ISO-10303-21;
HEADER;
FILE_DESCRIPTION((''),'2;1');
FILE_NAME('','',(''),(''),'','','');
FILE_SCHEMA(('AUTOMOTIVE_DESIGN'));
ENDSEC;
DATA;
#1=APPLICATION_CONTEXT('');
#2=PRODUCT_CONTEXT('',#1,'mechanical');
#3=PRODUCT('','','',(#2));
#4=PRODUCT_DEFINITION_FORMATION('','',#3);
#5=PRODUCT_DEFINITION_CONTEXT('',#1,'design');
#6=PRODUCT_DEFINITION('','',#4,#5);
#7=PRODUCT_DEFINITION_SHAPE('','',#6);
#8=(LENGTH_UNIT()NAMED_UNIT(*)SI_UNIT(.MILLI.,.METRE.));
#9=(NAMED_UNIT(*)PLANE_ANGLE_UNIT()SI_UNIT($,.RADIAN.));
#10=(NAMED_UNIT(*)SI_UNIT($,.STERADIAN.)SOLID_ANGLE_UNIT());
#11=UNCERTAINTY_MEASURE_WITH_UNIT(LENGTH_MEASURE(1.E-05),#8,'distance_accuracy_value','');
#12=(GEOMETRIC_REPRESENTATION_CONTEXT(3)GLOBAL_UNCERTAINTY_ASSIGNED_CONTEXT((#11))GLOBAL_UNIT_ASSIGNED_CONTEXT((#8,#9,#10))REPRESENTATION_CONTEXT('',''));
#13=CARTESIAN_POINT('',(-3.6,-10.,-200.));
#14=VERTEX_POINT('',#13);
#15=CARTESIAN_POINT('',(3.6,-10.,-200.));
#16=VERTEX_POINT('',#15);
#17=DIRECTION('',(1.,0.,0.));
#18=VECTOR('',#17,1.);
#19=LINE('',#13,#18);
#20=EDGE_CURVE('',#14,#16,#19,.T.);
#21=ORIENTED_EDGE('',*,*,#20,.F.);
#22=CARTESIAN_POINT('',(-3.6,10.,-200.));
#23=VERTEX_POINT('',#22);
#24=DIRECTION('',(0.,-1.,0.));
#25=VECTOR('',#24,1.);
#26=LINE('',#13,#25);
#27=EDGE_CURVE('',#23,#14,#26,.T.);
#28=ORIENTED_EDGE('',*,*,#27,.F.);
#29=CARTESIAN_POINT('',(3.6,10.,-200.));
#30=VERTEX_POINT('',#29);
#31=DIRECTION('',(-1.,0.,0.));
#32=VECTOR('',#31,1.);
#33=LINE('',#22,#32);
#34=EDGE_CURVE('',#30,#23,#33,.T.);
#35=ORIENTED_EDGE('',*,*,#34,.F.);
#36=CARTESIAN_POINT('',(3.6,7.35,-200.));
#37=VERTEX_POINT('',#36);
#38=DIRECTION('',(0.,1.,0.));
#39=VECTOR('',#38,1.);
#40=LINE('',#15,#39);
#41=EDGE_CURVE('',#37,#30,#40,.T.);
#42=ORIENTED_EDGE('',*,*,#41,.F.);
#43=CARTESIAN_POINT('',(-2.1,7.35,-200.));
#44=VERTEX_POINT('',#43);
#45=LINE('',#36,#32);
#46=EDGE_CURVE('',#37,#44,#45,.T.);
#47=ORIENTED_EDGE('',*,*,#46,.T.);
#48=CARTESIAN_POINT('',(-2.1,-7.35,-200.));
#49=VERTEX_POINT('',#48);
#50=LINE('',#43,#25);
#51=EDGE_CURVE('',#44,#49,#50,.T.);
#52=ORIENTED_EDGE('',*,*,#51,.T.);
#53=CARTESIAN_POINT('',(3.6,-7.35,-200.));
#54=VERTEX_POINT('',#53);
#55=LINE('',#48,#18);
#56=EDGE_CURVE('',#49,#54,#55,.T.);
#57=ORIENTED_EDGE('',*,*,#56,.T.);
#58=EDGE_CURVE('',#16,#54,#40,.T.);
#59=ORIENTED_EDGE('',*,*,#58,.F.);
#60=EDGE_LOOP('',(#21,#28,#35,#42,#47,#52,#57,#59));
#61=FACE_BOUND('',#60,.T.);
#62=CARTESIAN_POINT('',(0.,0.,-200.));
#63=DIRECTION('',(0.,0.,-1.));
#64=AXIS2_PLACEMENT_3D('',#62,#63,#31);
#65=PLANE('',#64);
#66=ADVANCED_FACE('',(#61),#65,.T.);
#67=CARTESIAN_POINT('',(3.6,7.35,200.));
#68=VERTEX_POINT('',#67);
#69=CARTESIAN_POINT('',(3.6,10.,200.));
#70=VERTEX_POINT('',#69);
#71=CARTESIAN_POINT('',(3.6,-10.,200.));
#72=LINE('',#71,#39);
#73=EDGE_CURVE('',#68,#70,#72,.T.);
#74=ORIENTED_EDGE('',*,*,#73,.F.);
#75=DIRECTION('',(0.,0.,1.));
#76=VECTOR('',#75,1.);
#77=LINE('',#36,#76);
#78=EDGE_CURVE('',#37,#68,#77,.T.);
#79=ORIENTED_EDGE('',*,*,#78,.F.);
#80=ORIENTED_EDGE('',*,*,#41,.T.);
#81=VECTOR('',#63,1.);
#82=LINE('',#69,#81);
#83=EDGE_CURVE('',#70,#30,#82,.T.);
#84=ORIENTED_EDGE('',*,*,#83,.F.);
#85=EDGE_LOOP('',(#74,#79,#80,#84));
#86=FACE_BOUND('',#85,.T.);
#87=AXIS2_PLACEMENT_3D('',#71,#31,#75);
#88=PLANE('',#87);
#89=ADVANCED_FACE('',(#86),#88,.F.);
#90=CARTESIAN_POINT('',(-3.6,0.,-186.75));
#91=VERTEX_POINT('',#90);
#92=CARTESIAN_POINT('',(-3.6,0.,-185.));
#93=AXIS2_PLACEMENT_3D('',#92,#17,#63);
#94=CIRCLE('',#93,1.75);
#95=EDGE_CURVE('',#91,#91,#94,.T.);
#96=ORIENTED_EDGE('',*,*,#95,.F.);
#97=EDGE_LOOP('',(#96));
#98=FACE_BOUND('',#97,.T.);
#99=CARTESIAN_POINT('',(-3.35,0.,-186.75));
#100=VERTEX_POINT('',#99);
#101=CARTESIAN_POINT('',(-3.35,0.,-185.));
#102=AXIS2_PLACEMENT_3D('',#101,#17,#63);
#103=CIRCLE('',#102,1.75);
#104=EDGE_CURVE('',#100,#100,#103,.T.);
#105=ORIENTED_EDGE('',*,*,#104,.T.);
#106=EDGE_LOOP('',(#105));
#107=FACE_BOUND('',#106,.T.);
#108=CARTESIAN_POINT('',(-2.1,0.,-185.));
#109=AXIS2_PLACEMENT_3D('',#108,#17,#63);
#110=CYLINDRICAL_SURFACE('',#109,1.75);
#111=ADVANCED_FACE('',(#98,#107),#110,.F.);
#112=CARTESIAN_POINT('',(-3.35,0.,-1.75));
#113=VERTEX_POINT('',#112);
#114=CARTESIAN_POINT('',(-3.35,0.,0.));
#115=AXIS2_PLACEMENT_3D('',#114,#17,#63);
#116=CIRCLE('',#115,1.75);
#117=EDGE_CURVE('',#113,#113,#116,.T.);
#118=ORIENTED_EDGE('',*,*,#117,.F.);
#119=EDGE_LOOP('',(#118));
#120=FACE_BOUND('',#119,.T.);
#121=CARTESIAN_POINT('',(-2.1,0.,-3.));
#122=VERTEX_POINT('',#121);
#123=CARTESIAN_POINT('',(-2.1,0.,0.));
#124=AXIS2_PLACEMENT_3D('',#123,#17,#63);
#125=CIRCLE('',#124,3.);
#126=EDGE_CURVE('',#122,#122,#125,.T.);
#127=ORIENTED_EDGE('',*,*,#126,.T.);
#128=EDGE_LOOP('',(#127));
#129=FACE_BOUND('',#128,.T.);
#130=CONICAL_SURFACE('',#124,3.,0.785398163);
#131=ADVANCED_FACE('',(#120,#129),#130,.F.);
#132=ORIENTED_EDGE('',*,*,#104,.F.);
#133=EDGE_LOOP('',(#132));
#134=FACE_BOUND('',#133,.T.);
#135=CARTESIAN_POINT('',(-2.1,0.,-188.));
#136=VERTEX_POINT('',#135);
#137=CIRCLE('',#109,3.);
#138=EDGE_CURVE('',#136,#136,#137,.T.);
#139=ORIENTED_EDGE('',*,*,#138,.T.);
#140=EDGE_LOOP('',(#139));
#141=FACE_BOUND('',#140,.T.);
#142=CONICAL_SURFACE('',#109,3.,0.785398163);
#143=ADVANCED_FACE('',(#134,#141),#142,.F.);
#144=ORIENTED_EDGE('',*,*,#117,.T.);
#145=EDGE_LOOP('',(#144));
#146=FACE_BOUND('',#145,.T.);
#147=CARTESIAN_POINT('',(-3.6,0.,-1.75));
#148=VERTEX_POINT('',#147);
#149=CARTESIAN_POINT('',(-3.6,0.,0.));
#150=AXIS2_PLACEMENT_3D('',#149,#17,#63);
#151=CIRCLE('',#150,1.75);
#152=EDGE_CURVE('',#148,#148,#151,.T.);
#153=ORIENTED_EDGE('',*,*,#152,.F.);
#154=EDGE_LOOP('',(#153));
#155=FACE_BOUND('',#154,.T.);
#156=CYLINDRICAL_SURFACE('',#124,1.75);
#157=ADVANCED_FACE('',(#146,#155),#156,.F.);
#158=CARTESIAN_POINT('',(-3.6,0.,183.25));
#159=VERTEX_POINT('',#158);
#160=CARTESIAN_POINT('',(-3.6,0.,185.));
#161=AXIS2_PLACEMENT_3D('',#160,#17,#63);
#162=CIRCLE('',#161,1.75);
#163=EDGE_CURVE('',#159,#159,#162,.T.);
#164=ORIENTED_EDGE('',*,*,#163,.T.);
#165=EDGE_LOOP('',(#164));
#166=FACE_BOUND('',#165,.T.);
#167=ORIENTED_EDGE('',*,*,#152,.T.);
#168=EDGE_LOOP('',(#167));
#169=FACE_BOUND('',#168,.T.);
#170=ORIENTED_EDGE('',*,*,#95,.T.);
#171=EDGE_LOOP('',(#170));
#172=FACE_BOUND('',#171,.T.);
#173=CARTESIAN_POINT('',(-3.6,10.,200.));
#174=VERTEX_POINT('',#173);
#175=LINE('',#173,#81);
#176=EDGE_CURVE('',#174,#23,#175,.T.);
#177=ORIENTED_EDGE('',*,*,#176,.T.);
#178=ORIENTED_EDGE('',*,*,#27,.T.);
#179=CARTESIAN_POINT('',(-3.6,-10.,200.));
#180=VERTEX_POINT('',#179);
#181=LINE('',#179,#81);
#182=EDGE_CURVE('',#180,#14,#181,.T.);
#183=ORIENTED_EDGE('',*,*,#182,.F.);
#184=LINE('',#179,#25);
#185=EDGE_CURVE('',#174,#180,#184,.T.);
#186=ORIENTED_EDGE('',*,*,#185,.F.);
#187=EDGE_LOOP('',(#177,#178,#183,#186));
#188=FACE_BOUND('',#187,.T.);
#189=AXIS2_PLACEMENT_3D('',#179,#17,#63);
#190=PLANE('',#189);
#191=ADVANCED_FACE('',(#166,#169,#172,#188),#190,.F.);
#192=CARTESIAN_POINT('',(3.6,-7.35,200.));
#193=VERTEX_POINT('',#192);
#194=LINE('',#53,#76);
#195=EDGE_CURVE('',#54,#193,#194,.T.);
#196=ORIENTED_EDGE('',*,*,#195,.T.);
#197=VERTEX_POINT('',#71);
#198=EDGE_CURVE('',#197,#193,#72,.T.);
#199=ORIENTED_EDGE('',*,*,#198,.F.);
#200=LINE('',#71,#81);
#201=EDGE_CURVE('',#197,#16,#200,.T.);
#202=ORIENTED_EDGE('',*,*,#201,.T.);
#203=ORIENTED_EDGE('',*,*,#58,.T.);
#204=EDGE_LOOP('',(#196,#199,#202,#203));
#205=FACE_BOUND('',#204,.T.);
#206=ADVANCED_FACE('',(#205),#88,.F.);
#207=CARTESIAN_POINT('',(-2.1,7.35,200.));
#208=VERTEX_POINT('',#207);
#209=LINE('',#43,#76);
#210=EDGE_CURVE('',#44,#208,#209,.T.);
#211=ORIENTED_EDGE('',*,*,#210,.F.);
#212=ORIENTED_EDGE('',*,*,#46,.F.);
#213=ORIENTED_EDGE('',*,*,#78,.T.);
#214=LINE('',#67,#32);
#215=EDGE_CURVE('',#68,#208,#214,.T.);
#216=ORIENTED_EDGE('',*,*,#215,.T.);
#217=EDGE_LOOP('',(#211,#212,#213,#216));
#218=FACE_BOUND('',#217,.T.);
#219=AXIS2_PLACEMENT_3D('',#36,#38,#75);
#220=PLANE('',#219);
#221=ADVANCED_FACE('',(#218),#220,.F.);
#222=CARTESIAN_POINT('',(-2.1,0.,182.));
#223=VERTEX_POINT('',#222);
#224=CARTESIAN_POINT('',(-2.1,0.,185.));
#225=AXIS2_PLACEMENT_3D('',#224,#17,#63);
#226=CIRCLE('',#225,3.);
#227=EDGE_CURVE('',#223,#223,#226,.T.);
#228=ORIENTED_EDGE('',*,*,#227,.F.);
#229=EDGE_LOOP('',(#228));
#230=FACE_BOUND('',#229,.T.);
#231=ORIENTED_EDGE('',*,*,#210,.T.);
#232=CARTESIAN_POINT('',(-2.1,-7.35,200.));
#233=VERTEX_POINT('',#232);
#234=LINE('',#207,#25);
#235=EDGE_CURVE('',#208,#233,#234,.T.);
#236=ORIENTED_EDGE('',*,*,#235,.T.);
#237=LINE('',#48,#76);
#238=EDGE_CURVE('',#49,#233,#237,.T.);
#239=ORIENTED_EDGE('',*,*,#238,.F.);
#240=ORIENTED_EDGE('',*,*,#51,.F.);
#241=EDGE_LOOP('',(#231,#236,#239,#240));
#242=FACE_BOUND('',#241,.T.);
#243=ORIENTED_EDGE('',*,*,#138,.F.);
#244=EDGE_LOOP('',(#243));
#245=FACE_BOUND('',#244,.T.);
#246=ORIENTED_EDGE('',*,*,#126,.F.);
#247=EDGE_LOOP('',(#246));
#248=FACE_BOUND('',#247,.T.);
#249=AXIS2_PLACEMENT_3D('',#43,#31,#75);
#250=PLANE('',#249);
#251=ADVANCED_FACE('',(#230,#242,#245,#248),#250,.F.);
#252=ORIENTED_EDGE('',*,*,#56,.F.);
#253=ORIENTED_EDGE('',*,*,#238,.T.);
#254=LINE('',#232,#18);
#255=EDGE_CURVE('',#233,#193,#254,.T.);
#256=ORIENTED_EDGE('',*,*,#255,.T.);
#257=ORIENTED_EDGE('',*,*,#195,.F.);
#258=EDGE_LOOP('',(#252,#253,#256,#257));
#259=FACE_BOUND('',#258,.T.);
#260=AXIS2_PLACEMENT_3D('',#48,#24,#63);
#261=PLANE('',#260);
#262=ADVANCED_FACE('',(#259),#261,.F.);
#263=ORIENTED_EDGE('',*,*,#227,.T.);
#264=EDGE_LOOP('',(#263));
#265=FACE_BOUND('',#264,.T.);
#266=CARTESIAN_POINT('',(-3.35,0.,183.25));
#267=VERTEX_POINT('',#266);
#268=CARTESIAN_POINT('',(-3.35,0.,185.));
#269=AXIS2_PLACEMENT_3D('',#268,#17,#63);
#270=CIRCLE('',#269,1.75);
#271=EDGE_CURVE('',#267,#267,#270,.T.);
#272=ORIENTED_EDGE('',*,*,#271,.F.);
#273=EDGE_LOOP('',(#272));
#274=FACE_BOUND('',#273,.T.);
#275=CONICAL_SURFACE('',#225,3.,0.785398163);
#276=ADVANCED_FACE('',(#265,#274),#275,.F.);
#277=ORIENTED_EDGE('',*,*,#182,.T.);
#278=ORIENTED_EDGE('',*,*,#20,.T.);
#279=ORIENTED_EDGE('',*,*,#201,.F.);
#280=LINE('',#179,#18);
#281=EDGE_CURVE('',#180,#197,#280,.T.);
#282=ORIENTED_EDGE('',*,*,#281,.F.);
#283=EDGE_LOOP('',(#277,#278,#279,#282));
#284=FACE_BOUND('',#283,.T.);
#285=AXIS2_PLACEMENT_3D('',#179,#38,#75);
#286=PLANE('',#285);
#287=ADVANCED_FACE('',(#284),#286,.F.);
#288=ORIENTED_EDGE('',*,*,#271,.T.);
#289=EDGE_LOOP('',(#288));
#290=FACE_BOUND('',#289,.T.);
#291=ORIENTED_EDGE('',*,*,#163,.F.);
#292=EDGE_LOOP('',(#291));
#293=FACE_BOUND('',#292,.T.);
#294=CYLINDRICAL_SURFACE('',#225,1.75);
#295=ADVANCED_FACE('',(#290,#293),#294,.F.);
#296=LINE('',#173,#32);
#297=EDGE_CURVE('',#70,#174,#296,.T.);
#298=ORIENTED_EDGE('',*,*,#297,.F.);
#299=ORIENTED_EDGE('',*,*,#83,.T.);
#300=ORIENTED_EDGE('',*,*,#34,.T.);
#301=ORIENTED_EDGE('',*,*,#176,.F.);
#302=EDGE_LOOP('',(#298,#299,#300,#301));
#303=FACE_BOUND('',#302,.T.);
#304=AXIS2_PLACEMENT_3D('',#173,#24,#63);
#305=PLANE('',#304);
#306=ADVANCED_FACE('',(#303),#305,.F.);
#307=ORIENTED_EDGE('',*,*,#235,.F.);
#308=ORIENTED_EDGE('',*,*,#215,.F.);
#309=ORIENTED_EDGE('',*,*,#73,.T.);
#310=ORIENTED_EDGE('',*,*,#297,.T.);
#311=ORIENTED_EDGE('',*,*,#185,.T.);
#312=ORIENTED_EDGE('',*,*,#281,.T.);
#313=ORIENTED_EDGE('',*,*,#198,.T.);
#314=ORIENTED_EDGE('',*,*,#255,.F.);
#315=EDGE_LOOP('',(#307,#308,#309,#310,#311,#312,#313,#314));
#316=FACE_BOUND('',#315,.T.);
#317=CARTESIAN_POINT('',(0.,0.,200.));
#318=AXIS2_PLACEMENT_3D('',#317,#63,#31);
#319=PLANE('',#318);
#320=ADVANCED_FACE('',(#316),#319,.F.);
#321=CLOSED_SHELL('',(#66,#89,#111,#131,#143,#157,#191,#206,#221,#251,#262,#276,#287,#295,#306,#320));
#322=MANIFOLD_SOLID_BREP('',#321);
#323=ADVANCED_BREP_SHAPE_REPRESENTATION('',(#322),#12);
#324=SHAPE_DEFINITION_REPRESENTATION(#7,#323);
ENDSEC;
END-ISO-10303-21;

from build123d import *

# Parameters (mm, degrees)
SKETCH_1_W                 = 7.2
SKETCH_1_H                 = 20
EXTRUDE_1_DEPTH            = 200
SKETCH_2_W                 = 5.7
SKETCH_2_H                 = 14.7
CUT_EXTRUDE_1_DEPTH        = 200
PATTERN_LINEAR_1_COUNT     = 2
PATTERN_LINEAR_1_PITCH     = 185
PATTERN_LINEAR_1_COL_COUNT = 2
PATTERN_LINEAR_1_COL_PITCH = 185


with BuildPart() as part:
    # 草图1 → 凸台-拉伸1 (new, symmetric)
    with BuildSketch(Plane.XY):
        Rectangle(SKETCH_1_W, SKETCH_1_H)
    extrude(amount=EXTRUDE_1_DEPTH, both=True)

    # 草图2 → 切除-拉伸1 (cut, symmetric)
    with BuildSketch(Plane.XY):
        with Locations((0.75, 0)):
            Rectangle(SKETCH_2_W, SKETCH_2_H)
    extrude(amount=CUT_EXTRUDE_1_DEPTH, both=True, mode=Mode.SUBTRACT)

    # 草图4 → 切除-旋转1 (revolve, cut)
    with BuildSketch(Plane.XY, mode=Mode.PRIVATE) as cut_revolve_1_sk:
        Polygon((-3.6, 1.75), (-3.35, 1.75), (-2.1, 3), (-2.1, 0), (-3.6, 0), align=None)
    cut_revolve_1 = revolve(cut_revolve_1_sk.sketch.rotate(Axis((-2.1, 0, 0), (-1, 0, 0)), 90), axis=Axis((-2.1, 0, 0), (-1, 0, 0)), mode=Mode.SUBTRACT)

    # 阵列(线性)1: 切除-旋转1 ×2
    with Locations(*[(0, 0, -i * PATTERN_LINEAR_1_PITCH) for i in range(1, PATTERN_LINEAR_1_COUNT)]):
        add(cut_revolve_1, mode=Mode.SUBTRACT)

    # 阵列(线性)1 col: 切除-旋转1 ×2
    with Locations(*[(0, 0, i * PATTERN_LINEAR_1_COL_PITCH) for i in range(1, PATTERN_LINEAR_1_COL_COUNT)]):
        add(cut_revolve_1, mode=Mode.SUBTRACT)


solid = part.part
